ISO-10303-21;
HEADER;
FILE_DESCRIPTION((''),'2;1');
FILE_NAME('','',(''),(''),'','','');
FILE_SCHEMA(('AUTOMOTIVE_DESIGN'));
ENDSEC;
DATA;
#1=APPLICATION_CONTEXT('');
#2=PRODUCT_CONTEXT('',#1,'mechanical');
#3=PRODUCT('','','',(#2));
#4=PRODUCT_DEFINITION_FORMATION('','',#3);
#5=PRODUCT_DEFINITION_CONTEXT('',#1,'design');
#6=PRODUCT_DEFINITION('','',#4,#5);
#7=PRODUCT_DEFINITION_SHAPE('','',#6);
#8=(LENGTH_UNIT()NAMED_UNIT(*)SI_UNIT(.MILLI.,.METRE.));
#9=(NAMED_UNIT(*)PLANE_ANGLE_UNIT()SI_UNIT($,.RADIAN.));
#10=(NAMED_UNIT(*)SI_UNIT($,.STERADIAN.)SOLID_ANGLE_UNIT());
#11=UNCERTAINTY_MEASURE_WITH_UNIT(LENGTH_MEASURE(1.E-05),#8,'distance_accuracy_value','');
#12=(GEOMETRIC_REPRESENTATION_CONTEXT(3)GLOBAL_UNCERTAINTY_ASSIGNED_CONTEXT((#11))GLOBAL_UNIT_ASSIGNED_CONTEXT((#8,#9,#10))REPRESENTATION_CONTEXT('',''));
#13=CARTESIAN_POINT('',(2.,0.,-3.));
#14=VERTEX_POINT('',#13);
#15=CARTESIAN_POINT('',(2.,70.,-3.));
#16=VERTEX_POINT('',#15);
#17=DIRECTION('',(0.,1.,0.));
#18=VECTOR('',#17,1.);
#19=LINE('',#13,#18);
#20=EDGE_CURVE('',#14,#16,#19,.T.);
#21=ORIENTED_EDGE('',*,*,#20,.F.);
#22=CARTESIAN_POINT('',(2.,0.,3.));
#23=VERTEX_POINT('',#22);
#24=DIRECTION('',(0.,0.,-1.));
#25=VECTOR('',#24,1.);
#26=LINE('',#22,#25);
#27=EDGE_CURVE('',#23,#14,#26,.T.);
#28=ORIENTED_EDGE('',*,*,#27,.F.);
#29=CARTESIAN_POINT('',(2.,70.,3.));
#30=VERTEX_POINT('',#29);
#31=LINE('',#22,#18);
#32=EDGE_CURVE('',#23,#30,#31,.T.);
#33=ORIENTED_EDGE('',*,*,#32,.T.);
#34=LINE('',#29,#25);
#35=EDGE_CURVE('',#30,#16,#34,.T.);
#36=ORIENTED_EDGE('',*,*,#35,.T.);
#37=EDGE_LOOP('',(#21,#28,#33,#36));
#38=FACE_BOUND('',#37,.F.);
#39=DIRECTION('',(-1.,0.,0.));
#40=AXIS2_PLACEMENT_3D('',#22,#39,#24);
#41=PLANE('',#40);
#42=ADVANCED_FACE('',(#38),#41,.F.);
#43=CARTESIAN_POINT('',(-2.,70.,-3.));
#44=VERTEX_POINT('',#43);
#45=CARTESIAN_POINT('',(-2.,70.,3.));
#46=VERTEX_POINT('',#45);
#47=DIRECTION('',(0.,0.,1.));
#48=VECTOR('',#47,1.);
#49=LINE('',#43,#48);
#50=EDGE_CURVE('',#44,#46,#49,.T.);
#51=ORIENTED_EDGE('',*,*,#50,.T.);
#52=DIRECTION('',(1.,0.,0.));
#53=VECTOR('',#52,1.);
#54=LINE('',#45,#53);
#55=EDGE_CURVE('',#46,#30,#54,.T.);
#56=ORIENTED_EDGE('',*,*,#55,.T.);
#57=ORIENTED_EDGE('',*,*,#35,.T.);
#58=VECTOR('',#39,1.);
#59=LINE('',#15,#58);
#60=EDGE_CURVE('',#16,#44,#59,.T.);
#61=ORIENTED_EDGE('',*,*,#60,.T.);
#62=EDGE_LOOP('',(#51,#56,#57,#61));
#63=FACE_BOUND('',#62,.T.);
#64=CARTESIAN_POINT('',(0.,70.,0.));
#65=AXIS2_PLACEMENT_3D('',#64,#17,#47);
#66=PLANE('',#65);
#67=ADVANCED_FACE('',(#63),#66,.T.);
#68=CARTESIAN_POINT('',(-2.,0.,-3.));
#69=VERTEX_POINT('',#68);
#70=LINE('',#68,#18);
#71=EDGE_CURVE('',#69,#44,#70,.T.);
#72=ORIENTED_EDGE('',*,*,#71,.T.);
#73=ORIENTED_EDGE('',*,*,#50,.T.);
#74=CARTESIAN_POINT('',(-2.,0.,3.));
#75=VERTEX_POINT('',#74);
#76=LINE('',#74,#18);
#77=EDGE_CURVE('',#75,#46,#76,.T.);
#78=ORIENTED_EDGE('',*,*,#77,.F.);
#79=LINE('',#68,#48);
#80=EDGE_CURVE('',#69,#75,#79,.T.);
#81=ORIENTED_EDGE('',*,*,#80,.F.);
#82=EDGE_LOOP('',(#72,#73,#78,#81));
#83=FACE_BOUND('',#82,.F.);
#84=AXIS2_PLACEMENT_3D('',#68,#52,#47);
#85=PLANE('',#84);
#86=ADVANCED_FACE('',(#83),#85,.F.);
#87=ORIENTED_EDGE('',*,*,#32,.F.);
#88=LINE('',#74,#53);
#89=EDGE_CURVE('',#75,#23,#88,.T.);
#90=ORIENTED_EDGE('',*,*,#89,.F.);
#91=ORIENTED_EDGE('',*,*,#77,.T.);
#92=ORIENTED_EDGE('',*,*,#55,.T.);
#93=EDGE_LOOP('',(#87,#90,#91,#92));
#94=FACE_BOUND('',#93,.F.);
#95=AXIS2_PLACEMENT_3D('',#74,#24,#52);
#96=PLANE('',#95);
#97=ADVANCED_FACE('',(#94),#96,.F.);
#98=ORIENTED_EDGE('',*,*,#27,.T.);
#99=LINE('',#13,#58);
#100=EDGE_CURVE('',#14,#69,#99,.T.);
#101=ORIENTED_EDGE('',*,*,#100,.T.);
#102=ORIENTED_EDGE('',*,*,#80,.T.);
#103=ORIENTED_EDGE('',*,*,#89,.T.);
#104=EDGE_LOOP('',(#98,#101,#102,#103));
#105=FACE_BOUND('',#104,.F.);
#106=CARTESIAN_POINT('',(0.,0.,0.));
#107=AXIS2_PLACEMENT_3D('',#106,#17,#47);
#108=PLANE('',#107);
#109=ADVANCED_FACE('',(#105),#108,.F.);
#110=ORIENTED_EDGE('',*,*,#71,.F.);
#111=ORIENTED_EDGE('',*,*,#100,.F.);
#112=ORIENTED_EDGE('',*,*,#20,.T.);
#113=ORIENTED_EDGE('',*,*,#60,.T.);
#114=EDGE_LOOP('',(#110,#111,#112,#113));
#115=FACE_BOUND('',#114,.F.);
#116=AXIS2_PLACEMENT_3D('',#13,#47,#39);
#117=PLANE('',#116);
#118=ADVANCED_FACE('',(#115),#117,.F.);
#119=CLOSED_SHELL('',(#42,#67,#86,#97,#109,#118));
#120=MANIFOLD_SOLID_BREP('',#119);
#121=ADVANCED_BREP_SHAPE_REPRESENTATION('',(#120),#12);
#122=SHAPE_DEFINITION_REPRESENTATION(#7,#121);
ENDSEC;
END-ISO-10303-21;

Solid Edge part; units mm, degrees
sketch "Sketch1" plane through (0, 0, 0) normal (0, -1, 0) x (1, 0, 0)
  line L0 (-2, 3) -> (2, 3)
  line L1 (2, 3) -> (2, -3)
  line L2 (2, -3) -> (-2, -3)
  line L3 (-2, -3) -> (-2, 3)
  dimension "D1" = 6
  dimension "D2" = 4
extrude "Protrusion1" add sketch "Sketch1" against normal blind 70
properties part number "3"
